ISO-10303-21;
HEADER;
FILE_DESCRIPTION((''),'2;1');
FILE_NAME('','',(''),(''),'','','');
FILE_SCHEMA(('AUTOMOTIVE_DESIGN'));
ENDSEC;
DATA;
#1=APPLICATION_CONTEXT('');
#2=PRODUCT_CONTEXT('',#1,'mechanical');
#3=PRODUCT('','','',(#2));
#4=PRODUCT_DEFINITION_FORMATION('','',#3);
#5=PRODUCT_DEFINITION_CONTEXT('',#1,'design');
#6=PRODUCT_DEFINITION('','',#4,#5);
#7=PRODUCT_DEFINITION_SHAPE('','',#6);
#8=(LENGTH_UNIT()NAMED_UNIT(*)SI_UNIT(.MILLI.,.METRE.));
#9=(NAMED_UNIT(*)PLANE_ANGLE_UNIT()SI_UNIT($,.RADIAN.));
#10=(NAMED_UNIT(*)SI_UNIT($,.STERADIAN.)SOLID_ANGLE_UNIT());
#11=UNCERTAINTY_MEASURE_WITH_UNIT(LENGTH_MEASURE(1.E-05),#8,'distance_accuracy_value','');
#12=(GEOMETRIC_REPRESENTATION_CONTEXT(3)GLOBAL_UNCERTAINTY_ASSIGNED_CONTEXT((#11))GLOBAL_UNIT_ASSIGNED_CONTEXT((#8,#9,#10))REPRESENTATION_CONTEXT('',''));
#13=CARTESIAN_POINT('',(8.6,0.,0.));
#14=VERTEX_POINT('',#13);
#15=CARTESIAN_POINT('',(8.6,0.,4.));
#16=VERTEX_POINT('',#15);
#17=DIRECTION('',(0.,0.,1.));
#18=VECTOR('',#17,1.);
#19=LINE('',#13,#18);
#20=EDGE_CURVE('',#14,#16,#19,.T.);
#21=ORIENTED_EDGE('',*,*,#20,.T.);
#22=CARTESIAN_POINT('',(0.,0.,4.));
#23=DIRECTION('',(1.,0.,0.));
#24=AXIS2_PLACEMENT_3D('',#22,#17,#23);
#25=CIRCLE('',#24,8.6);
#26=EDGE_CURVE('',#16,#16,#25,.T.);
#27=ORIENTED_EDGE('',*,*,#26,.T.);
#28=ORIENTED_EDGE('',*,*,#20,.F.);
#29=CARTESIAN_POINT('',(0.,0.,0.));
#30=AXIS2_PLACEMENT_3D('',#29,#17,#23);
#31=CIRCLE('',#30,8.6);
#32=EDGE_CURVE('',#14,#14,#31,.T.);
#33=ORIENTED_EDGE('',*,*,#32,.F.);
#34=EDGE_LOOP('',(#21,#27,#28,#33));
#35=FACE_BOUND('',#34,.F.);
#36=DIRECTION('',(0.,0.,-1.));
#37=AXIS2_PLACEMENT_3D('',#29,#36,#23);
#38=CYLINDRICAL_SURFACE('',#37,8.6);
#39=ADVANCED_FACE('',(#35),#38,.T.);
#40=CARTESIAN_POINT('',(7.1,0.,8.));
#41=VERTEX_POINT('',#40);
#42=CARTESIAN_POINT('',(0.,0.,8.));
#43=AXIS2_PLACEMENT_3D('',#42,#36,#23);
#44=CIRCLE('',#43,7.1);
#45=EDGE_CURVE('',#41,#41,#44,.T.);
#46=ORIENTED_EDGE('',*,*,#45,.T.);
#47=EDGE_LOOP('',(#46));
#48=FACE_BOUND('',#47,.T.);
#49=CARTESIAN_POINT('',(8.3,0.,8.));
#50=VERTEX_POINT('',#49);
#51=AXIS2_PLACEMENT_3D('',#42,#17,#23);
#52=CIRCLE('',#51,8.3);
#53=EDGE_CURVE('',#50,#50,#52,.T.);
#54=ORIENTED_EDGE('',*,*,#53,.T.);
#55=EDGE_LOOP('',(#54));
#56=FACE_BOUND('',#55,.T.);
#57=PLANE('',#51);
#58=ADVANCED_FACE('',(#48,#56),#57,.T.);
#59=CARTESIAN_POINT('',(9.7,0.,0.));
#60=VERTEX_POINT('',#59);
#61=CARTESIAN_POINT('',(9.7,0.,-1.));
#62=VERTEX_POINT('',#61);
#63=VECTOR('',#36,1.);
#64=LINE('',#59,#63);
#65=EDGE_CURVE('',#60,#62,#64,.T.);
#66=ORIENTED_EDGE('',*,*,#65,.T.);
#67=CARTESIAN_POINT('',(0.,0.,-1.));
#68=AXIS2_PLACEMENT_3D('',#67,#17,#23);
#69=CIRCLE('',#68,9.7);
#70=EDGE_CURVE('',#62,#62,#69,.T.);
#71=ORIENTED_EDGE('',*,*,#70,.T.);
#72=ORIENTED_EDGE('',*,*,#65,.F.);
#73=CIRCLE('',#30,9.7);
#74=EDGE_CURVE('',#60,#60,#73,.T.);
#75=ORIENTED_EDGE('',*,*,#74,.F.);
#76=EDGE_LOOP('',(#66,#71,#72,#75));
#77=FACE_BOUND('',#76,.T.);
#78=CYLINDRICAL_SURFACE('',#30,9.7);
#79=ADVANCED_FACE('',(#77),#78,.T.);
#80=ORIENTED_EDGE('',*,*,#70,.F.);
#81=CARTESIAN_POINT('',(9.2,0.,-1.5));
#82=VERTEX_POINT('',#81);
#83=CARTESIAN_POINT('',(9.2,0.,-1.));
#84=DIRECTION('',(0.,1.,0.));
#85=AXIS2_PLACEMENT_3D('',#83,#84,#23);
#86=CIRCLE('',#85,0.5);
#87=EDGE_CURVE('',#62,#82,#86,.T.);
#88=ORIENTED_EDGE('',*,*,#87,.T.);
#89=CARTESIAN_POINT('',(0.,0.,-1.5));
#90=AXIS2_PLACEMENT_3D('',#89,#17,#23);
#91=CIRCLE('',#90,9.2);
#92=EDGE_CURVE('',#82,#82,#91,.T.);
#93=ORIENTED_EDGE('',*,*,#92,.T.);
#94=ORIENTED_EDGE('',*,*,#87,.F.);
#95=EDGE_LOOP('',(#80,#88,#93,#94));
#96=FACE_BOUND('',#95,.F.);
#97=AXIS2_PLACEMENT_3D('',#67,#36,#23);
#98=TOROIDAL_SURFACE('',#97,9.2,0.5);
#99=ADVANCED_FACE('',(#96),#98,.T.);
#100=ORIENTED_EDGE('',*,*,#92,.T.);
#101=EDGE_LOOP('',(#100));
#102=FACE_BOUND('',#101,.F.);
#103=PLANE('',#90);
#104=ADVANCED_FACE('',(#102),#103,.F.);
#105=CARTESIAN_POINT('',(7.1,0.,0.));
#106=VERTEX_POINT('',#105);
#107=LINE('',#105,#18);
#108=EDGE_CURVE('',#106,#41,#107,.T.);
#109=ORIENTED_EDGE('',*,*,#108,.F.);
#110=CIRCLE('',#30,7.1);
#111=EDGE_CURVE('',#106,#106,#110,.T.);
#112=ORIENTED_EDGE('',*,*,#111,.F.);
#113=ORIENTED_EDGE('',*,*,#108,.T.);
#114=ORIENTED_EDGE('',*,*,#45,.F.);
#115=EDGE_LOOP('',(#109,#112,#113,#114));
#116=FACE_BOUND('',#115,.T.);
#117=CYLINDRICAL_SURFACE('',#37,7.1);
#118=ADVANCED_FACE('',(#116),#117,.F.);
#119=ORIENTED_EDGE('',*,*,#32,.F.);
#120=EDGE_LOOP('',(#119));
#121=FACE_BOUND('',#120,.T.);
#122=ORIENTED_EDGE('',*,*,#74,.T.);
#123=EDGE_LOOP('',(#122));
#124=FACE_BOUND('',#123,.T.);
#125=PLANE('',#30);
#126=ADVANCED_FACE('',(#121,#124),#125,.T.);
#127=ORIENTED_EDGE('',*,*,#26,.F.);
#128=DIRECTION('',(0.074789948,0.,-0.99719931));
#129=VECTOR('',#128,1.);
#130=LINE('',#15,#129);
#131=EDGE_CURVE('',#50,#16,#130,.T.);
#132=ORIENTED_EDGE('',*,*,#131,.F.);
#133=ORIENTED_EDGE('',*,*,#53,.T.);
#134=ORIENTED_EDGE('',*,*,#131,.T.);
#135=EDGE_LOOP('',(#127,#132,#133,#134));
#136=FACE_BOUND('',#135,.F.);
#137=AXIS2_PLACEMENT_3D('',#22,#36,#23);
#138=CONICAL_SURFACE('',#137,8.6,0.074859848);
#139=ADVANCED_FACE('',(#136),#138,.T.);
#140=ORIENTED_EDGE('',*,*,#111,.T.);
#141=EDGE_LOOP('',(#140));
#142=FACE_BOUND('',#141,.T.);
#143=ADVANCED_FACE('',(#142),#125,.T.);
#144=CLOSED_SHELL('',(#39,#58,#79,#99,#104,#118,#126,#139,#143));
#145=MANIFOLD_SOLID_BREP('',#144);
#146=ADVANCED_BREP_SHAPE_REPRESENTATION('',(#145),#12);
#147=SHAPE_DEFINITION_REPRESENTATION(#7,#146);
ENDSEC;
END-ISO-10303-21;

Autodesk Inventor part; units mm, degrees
ref_plane "YZ Plane" through (0, 0, 0) normal (1, 0, 0) x (0, 1, 0)
ref_plane "XZ Plane" through (0, 0, 0) normal (0, 1, 0) x (-1, 0, 0)
ref_plane "XY Plane" through (0, 0, 0) normal (0, 0, 1) x (1, 0, 0)
sketch "Sketch1" plane through (0, 0, 0) normal (0, 0, 1) x (1, 0, 0)
  circle A0 centre (0, 0) radius 9.7
  circle A1 centre (0, 0) radius 8.6
  circle A2 centre (0, 0) radius 7.1
  dimension "d0" = 19.4
  dimension "d1" = 17.2
  dimension "d6" = 14.2
extrude "Extrusion1" add sketch "Sketch1" along normal blind 8 contours A1 | A2
extrude "Extrusion2" add sketch "Sketch1" against normal blind 1.5 contours A0 | A1 | A2
extrude "Extrusion3" cut sketch "Sketch1" along normal up to next contours A2
fillet "Fillet1" radius 0.5 1 edges at (-9.7, 0, -1.5)
chamfer "Chamfer1" distance 0.3 distance2 4 1 edges at (-8.6, 0, 8) measured on face at (7.9479, -1.2524, 8)
properties part number "Rodend19mil"
